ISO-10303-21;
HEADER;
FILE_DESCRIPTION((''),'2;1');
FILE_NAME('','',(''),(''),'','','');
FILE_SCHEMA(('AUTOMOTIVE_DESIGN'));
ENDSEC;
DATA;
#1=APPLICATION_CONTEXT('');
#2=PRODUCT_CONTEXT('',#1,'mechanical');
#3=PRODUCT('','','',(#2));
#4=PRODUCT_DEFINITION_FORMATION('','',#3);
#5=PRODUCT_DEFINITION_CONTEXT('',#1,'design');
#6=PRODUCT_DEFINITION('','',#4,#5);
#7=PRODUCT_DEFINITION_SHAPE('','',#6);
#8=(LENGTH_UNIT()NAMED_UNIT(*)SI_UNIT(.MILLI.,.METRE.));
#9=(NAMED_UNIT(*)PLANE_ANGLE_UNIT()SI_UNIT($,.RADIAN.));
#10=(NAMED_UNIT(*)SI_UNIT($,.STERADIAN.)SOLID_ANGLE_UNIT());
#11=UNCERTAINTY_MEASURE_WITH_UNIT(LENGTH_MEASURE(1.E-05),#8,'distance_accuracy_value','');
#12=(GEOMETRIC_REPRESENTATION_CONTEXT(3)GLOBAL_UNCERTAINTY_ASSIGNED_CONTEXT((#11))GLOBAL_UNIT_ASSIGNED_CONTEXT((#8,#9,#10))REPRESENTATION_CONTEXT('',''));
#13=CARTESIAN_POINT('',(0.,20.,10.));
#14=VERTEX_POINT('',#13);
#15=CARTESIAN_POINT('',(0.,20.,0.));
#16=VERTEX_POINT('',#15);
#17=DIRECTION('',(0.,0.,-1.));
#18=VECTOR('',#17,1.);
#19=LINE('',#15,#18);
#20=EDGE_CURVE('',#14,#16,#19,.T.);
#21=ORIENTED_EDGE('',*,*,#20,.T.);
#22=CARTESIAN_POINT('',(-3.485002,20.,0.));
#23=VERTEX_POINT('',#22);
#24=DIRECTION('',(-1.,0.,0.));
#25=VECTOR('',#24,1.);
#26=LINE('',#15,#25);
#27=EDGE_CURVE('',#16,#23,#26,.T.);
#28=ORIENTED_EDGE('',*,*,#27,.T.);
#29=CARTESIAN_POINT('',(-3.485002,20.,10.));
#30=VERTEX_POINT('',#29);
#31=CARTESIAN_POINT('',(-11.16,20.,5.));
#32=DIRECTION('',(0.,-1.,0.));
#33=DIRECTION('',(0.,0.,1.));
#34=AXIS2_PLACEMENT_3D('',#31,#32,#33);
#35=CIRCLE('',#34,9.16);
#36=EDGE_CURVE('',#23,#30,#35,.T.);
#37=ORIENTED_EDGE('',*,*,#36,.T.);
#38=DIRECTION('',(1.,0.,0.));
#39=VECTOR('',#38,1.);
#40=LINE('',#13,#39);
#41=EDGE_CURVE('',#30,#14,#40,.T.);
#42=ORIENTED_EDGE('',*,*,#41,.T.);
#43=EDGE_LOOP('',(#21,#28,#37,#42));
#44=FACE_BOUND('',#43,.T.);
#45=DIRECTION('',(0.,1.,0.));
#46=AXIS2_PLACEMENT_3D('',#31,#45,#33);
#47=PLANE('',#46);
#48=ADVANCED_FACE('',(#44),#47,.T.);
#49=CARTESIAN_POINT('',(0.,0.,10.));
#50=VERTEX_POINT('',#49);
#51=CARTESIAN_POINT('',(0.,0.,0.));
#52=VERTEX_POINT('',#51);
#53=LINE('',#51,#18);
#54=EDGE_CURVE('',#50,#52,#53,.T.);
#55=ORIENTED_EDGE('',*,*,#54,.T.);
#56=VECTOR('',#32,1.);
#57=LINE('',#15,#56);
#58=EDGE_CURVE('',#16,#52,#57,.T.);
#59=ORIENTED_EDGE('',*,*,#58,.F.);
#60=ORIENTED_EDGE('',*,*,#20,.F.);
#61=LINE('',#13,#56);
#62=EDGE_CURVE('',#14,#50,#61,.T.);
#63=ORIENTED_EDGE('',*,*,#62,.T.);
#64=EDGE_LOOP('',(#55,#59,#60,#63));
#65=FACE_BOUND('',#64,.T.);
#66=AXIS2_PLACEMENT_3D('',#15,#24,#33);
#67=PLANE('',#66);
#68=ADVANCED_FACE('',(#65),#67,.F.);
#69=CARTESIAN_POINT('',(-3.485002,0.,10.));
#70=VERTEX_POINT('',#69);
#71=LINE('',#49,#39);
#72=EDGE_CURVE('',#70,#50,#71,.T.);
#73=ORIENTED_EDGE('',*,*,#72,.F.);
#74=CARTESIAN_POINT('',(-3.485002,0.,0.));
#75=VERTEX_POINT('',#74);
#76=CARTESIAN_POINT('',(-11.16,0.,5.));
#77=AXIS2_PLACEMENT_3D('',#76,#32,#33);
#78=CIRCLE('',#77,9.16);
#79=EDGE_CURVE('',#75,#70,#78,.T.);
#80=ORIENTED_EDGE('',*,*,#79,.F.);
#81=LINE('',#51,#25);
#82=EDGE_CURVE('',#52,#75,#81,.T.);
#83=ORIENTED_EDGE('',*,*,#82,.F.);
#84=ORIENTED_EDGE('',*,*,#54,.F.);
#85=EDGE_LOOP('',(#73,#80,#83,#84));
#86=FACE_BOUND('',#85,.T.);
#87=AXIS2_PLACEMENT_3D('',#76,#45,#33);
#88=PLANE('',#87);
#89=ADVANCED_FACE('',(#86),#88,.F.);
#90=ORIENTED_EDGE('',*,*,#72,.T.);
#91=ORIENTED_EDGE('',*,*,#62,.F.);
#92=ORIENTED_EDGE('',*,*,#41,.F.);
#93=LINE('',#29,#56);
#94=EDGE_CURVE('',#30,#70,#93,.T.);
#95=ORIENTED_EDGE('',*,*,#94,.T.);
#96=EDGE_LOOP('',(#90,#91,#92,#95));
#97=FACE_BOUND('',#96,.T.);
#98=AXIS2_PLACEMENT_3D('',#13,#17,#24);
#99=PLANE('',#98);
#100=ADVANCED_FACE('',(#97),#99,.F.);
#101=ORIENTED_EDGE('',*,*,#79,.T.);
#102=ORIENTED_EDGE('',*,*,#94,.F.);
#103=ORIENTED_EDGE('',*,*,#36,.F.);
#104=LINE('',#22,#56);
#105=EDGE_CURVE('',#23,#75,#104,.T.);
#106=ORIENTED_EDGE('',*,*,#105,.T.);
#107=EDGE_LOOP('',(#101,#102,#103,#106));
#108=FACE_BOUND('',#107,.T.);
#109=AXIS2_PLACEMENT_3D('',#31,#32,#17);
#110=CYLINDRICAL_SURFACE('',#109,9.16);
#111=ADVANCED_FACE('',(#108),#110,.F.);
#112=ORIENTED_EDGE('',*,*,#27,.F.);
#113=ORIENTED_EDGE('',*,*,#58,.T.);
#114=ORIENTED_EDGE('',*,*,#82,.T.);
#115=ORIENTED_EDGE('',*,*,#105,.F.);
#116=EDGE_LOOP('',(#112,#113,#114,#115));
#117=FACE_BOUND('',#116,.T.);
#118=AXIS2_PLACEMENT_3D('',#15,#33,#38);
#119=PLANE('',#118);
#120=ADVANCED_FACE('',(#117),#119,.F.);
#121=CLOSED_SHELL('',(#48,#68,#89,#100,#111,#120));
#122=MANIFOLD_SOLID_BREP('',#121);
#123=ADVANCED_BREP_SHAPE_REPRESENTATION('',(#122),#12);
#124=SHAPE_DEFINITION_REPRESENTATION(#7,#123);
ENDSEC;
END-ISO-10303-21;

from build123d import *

# Parameters (mm, degrees)
EXTRUDE_1_DEPTH = 20


with BuildPart() as part:
    # 草图1 → 凸台-拉伸1 (new body)
    with BuildSketch(Plane(origin=(0, 0, 0), x_dir=(1, 0, 0), z_dir=(0, 1, 0))):
        with BuildLine():
            Line((0, 0), (0, -10))
            Line((0, -10), (-3.485001629, -10))
            ThreePointArc((-3.485001629, -10), (-2, -5), (-3.485001629, 0))
            Line((-3.485001629, 0), (0, 0))
        make_face()
    extrude(amount=EXTRUDE_1_DEPTH)


solid = part.part
